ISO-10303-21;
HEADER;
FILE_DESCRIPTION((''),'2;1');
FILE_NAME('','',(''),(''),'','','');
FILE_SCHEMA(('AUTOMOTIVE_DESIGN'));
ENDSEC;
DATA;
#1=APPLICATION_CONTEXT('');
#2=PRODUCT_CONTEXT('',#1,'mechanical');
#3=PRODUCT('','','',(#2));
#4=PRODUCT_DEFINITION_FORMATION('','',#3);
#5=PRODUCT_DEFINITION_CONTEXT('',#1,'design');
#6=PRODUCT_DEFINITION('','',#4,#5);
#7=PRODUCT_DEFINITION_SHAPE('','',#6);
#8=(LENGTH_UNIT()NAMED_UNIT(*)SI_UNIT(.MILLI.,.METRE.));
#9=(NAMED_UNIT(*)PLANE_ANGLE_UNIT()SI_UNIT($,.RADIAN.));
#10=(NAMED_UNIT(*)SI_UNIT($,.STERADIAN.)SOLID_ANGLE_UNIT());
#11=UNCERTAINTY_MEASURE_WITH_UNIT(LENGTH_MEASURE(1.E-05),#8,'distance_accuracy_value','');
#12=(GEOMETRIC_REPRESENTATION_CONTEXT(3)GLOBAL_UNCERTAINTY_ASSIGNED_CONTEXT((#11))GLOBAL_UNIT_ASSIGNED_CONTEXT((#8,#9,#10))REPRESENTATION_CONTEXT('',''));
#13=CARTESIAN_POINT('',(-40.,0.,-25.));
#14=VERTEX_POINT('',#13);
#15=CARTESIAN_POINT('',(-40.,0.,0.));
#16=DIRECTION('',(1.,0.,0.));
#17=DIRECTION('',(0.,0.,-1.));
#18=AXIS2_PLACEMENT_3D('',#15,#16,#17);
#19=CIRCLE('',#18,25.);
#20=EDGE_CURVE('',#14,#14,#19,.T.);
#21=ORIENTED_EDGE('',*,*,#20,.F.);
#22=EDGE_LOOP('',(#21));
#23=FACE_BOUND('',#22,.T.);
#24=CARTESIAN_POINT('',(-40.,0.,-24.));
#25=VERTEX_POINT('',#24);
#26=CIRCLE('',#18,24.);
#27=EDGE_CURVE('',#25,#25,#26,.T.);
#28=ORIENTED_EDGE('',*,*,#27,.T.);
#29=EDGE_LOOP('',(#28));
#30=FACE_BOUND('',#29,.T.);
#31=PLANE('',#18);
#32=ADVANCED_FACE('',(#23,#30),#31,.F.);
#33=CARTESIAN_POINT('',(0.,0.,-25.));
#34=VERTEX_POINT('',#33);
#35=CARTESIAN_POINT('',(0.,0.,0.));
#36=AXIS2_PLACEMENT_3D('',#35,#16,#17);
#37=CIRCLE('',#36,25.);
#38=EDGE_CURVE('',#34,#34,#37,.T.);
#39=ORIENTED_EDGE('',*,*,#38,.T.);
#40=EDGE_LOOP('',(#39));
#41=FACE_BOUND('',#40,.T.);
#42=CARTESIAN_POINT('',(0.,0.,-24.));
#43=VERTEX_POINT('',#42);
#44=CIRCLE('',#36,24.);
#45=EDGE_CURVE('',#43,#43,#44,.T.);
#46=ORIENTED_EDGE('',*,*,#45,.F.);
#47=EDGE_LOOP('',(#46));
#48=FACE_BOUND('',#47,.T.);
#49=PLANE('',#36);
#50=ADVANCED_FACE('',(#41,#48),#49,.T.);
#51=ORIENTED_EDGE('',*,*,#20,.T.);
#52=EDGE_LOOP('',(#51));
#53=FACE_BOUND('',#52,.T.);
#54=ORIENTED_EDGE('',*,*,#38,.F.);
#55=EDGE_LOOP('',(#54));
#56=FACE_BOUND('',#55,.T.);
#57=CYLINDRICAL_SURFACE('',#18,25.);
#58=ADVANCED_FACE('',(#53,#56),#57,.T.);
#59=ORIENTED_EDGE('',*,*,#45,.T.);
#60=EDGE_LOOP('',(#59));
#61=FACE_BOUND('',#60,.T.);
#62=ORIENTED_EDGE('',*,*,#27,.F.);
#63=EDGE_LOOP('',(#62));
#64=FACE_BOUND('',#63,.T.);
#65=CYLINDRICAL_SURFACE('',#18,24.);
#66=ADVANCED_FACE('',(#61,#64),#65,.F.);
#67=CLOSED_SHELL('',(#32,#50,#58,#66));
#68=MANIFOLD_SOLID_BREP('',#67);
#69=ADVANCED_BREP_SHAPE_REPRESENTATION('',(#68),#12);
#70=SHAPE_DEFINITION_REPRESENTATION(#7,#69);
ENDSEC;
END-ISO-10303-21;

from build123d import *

# Parameters (mm, degrees)
SKETCH1_R           = 25
BOSS_EXTRUDE1_DEPTH = 40
SKETCH2_R           = 24
CUT_EXTRUDE1_DEPTH  = 54.38539126


with BuildPart() as part:
    # Sketch1 → Boss-Extrude1 (new body)
    with BuildSketch(Plane(origin=(0, 0, 0), x_dir=(0, 0, -1), z_dir=(1, 0, 0))):
        Circle(SKETCH1_R)
    extrude(amount=-BOSS_EXTRUDE1_DEPTH)

    # Sketch2 → Cut-Extrude1 (cut, through all)
    with BuildSketch(Plane(origin=(0, 0, 0), x_dir=(0, 0, -1), z_dir=(1, 0, 0))):
        Circle(SKETCH2_R)
    extrude(amount=-CUT_EXTRUDE1_DEPTH, mode=Mode.SUBTRACT)


solid = part.part
